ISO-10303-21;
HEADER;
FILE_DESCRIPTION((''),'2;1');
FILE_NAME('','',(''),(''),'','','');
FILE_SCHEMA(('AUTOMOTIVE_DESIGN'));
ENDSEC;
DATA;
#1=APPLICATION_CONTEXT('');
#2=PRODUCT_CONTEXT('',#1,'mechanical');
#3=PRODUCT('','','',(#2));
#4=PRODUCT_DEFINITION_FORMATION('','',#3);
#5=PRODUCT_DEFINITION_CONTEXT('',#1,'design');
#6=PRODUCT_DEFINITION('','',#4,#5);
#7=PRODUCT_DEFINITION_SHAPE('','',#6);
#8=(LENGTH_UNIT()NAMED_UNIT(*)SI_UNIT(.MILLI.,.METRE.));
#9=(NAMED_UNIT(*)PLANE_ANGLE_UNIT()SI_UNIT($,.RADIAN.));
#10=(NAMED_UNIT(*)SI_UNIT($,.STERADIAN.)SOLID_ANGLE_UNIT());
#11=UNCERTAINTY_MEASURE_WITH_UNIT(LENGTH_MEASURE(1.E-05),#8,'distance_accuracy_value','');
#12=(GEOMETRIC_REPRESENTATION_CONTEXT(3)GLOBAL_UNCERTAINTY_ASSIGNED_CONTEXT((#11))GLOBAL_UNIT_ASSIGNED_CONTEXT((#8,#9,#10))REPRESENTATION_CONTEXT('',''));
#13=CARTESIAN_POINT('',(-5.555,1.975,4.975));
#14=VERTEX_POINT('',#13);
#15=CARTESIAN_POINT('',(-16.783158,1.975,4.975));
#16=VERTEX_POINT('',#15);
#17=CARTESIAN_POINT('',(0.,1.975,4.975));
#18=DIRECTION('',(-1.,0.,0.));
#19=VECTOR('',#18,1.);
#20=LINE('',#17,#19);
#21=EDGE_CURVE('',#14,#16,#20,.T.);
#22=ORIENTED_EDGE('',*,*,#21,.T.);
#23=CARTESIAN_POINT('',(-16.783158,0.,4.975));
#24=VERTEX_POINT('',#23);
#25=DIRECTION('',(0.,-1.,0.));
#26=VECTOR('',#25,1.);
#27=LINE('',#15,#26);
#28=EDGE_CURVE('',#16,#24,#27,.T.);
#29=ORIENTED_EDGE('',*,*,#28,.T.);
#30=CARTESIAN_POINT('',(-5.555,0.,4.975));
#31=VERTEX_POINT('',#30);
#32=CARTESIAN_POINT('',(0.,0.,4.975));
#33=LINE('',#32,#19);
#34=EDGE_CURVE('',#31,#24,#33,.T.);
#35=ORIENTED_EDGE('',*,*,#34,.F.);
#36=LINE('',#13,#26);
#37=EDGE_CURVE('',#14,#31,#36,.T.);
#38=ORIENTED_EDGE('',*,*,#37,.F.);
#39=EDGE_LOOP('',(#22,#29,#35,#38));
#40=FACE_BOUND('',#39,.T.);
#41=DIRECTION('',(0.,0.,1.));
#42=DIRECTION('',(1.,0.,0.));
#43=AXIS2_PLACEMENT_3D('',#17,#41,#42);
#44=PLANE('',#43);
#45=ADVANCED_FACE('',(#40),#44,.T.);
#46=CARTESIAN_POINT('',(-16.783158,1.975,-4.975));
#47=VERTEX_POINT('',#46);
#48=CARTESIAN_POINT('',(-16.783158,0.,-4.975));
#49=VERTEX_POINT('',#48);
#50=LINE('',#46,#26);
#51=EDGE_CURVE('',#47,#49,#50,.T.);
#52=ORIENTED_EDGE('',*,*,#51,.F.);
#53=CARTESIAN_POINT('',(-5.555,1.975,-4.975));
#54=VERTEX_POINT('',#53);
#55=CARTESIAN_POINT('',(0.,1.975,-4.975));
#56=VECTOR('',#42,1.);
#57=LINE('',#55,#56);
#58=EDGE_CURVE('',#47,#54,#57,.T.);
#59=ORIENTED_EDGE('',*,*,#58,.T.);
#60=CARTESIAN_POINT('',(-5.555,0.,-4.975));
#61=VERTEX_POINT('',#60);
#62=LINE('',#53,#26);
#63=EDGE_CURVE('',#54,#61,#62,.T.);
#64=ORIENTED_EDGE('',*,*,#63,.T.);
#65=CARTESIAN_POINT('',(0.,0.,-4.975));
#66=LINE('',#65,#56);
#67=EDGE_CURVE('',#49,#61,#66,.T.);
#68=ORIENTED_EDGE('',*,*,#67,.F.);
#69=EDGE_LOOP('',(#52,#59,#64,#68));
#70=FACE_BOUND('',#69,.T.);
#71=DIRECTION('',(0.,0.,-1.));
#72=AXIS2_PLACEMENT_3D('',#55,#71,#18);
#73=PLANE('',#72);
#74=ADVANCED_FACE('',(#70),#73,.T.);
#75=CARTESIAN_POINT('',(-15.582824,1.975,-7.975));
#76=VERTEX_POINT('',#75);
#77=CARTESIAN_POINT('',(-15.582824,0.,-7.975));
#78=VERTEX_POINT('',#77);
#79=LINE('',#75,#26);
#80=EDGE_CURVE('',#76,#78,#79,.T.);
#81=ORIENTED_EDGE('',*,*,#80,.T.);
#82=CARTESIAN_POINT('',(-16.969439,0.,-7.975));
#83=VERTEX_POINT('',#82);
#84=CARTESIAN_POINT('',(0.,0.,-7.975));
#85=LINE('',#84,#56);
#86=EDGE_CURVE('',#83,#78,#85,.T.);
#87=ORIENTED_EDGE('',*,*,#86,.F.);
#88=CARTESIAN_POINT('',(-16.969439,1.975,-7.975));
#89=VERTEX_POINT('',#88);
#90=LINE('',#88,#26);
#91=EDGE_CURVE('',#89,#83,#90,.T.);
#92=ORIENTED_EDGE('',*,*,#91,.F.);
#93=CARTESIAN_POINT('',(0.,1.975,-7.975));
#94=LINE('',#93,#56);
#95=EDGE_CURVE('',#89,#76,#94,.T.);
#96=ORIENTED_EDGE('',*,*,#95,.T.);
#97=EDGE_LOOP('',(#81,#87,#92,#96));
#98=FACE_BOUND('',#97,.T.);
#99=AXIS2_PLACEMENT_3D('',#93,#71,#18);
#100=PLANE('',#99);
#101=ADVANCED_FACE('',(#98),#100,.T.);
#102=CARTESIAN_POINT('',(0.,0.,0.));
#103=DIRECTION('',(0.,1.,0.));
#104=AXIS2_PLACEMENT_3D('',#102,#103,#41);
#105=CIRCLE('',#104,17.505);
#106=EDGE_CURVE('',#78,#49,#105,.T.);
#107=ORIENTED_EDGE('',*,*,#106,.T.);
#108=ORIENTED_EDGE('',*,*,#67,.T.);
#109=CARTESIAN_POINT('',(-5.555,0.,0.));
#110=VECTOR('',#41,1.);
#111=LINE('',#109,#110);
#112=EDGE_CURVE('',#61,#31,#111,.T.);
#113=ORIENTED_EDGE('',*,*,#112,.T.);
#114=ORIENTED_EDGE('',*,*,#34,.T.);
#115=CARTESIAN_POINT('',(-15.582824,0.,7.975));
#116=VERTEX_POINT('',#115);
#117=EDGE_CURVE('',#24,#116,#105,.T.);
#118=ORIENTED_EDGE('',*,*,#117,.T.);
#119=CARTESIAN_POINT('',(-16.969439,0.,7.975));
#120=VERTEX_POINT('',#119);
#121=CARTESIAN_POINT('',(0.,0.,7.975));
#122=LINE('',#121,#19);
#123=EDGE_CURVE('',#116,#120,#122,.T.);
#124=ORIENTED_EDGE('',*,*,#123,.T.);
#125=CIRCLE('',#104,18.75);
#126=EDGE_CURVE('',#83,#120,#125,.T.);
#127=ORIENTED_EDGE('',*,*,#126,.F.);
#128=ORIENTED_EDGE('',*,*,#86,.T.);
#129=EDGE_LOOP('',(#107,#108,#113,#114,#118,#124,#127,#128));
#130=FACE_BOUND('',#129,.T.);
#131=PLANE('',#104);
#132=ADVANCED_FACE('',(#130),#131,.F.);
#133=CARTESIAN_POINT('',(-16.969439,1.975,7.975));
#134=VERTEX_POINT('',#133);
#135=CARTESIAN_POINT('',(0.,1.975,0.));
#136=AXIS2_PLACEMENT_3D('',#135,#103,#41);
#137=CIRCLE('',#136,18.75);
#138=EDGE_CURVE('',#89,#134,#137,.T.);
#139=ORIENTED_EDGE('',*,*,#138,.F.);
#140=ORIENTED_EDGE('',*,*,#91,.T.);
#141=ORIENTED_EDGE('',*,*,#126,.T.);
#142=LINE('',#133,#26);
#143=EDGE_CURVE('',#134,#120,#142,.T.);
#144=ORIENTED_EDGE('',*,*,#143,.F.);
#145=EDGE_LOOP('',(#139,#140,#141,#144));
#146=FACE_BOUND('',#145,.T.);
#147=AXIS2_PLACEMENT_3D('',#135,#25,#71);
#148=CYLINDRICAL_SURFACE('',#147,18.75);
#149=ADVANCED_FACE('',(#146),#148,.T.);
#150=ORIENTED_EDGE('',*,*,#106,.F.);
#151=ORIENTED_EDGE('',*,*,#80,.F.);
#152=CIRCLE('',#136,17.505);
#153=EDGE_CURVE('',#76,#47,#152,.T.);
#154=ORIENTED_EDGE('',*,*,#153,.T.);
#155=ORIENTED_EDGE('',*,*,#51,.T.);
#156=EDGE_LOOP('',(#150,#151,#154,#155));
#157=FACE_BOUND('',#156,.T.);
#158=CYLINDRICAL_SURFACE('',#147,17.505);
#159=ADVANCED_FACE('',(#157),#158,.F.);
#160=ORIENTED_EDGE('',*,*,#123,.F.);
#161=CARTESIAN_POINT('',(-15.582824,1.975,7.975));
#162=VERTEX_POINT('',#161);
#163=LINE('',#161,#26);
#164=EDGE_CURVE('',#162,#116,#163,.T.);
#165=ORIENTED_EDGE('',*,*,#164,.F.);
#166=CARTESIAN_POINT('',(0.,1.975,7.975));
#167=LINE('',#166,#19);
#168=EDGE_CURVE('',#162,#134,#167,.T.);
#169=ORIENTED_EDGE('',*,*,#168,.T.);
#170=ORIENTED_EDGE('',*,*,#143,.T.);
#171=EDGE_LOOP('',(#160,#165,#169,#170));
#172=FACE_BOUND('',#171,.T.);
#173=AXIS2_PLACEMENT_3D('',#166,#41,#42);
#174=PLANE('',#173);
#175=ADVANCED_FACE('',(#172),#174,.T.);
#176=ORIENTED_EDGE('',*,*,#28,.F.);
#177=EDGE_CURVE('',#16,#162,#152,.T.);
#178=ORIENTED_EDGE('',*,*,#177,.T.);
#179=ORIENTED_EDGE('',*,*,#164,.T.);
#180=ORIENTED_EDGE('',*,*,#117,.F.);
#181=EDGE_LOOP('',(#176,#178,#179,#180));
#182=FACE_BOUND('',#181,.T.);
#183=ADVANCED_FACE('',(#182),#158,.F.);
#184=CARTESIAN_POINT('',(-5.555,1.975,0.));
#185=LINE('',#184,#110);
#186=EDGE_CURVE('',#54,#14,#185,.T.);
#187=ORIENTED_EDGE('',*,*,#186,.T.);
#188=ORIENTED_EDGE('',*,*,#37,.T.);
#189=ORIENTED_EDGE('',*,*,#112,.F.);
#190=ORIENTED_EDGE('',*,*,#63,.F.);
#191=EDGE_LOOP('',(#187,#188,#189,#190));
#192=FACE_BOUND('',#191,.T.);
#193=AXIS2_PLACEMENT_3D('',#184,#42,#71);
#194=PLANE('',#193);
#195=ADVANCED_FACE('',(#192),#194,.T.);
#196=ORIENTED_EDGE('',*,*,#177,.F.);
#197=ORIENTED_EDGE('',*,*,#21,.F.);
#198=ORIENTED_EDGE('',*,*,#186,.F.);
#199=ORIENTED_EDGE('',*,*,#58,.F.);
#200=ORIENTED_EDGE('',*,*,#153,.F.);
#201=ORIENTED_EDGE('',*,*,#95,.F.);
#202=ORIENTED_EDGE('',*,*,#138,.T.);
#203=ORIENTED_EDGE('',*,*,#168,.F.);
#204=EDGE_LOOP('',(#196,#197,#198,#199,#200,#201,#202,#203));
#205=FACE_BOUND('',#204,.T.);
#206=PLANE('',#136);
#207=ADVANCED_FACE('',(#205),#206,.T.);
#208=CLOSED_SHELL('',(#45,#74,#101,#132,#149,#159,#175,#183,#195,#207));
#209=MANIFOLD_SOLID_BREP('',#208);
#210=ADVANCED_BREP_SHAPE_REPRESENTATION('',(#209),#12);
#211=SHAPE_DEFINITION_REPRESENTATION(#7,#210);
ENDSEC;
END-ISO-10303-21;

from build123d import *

# Parameters (mm, degrees)
BOSS_EXTRUDE2_DEPTH = 1.975


with BuildPart() as part:
    # Sketch1 → Boss-Extrude2 (new body)
    with BuildSketch(Plane(origin=(0, 0, 0), x_dir=(1, 0, 0), z_dir=(0, 1, 0))):
        with BuildLine():
            ThreePointArc((-16.969439443, 7.975), (-18.75, 0), (-16.969439443, -7.975))
            Line((-16.969439443, -7.975), (-15.582823878, -7.975))
            ThreePointArc((-15.582823878, -7.975), (-16.252359809, -6.502755234), (-16.783158225, -4.975))
            Line((-16.783158225, -4.975), (-5.555, -4.975))
            Line((-5.555, -4.975), (-5.555, 4.975))
            Line((-5.555, 4.975), (-16.783158225, 4.975))
            ThreePointArc((-16.783158225, 4.975), (-16.252359809, 6.502755234), (-15.582823878, 7.975))
            Line((-15.582823878, 7.975), (-16.969439443, 7.975))
        make_face()
    extrude(amount=BOSS_EXTRUDE2_DEPTH)


solid = part.part
